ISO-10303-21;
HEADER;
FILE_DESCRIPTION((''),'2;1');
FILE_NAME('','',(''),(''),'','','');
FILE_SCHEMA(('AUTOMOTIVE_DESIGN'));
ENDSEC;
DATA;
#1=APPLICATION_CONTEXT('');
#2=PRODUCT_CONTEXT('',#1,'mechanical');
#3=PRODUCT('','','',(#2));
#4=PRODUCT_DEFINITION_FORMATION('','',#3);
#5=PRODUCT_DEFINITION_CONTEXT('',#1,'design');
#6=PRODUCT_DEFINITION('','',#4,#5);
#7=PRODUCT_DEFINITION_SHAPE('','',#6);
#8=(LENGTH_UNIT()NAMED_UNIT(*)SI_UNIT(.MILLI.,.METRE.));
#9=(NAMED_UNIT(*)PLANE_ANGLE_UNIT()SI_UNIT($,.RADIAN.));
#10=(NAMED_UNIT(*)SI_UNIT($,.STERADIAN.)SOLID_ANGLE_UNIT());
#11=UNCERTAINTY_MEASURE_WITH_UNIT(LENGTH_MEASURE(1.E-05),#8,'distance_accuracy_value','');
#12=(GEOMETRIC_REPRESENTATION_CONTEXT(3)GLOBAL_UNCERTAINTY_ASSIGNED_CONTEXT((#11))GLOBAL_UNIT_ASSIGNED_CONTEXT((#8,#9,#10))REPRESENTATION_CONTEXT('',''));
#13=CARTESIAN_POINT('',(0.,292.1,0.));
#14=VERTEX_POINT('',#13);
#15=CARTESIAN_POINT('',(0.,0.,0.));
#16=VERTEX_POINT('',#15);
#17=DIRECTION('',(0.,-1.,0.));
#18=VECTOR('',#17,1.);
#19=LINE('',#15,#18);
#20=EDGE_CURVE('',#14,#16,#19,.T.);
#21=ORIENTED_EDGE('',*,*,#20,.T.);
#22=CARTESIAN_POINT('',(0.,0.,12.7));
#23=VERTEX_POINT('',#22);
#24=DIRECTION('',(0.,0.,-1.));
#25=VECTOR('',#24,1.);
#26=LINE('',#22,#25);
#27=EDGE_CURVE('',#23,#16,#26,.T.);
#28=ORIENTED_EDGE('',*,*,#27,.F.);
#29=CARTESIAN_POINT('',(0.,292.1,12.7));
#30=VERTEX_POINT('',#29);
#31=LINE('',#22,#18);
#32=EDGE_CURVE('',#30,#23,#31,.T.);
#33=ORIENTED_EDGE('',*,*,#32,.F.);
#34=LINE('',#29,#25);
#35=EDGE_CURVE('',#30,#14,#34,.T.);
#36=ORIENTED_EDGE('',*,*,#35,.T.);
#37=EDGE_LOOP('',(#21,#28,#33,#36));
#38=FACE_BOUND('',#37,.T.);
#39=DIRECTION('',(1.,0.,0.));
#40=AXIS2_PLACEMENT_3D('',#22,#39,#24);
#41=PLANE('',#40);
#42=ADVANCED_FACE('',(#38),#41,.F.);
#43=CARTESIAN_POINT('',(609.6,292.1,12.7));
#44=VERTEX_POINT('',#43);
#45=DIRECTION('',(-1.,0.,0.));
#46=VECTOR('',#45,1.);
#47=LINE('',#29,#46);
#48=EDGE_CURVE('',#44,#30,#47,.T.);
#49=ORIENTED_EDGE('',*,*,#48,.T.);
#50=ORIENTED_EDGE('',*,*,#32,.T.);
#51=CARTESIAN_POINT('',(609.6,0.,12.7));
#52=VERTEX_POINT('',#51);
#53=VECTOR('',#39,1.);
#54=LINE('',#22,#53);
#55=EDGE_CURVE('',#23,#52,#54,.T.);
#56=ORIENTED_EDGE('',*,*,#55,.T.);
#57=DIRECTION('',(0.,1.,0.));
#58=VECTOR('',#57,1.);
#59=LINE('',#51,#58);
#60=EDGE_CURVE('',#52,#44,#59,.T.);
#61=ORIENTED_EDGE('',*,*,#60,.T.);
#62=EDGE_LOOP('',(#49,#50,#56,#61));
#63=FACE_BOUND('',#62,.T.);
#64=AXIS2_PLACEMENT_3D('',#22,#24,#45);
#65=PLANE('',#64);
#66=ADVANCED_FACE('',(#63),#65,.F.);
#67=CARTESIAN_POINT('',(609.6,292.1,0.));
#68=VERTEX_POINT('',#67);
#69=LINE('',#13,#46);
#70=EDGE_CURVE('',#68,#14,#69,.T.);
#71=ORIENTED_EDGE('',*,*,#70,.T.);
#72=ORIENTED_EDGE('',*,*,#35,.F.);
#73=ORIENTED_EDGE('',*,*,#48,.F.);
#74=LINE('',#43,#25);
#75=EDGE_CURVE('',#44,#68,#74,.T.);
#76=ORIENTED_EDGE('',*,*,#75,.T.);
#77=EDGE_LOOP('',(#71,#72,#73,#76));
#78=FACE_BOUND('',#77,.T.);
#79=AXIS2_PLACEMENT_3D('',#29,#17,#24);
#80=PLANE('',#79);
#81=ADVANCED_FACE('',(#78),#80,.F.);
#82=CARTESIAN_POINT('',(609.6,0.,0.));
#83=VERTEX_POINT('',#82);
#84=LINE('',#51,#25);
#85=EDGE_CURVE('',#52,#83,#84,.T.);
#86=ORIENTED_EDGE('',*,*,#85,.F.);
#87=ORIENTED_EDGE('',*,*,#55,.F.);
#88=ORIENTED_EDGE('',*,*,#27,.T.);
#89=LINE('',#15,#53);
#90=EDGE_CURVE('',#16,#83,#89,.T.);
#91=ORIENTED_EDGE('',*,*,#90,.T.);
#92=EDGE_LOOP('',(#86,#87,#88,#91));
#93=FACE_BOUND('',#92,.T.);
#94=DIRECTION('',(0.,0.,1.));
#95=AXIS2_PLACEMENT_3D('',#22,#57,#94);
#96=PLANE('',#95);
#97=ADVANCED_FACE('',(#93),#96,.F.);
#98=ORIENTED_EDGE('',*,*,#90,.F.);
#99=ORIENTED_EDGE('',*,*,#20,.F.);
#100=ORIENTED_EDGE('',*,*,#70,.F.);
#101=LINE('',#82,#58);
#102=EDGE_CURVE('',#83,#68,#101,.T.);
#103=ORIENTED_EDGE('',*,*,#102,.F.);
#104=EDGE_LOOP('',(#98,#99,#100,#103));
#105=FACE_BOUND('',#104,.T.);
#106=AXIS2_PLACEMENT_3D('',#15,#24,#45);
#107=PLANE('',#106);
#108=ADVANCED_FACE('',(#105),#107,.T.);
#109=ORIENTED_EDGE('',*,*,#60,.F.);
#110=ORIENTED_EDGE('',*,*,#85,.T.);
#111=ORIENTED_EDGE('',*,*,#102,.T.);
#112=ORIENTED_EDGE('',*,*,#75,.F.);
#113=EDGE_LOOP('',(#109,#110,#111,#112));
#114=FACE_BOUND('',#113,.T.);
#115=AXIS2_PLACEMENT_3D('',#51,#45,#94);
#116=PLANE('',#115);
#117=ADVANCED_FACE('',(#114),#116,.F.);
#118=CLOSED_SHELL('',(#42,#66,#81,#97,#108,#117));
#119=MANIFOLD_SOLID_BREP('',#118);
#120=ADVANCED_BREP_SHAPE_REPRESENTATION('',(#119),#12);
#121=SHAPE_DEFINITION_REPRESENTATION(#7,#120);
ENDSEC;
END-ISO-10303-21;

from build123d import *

# Parameters (mm, degrees)
SKETCH1_W           = 609.6
SKETCH1_H           = 292.1
BOSS_EXTRUDE1_DEPTH = 12.7


with BuildPart() as part:
    # Sketch1 → Boss-Extrude1 (new body)
    with BuildSketch(Plane.XY):
        with Locations((304.8, 146.05)):
            Rectangle(SKETCH1_W, SKETCH1_H)
    extrude(amount=BOSS_EXTRUDE1_DEPTH)


solid = part.part
